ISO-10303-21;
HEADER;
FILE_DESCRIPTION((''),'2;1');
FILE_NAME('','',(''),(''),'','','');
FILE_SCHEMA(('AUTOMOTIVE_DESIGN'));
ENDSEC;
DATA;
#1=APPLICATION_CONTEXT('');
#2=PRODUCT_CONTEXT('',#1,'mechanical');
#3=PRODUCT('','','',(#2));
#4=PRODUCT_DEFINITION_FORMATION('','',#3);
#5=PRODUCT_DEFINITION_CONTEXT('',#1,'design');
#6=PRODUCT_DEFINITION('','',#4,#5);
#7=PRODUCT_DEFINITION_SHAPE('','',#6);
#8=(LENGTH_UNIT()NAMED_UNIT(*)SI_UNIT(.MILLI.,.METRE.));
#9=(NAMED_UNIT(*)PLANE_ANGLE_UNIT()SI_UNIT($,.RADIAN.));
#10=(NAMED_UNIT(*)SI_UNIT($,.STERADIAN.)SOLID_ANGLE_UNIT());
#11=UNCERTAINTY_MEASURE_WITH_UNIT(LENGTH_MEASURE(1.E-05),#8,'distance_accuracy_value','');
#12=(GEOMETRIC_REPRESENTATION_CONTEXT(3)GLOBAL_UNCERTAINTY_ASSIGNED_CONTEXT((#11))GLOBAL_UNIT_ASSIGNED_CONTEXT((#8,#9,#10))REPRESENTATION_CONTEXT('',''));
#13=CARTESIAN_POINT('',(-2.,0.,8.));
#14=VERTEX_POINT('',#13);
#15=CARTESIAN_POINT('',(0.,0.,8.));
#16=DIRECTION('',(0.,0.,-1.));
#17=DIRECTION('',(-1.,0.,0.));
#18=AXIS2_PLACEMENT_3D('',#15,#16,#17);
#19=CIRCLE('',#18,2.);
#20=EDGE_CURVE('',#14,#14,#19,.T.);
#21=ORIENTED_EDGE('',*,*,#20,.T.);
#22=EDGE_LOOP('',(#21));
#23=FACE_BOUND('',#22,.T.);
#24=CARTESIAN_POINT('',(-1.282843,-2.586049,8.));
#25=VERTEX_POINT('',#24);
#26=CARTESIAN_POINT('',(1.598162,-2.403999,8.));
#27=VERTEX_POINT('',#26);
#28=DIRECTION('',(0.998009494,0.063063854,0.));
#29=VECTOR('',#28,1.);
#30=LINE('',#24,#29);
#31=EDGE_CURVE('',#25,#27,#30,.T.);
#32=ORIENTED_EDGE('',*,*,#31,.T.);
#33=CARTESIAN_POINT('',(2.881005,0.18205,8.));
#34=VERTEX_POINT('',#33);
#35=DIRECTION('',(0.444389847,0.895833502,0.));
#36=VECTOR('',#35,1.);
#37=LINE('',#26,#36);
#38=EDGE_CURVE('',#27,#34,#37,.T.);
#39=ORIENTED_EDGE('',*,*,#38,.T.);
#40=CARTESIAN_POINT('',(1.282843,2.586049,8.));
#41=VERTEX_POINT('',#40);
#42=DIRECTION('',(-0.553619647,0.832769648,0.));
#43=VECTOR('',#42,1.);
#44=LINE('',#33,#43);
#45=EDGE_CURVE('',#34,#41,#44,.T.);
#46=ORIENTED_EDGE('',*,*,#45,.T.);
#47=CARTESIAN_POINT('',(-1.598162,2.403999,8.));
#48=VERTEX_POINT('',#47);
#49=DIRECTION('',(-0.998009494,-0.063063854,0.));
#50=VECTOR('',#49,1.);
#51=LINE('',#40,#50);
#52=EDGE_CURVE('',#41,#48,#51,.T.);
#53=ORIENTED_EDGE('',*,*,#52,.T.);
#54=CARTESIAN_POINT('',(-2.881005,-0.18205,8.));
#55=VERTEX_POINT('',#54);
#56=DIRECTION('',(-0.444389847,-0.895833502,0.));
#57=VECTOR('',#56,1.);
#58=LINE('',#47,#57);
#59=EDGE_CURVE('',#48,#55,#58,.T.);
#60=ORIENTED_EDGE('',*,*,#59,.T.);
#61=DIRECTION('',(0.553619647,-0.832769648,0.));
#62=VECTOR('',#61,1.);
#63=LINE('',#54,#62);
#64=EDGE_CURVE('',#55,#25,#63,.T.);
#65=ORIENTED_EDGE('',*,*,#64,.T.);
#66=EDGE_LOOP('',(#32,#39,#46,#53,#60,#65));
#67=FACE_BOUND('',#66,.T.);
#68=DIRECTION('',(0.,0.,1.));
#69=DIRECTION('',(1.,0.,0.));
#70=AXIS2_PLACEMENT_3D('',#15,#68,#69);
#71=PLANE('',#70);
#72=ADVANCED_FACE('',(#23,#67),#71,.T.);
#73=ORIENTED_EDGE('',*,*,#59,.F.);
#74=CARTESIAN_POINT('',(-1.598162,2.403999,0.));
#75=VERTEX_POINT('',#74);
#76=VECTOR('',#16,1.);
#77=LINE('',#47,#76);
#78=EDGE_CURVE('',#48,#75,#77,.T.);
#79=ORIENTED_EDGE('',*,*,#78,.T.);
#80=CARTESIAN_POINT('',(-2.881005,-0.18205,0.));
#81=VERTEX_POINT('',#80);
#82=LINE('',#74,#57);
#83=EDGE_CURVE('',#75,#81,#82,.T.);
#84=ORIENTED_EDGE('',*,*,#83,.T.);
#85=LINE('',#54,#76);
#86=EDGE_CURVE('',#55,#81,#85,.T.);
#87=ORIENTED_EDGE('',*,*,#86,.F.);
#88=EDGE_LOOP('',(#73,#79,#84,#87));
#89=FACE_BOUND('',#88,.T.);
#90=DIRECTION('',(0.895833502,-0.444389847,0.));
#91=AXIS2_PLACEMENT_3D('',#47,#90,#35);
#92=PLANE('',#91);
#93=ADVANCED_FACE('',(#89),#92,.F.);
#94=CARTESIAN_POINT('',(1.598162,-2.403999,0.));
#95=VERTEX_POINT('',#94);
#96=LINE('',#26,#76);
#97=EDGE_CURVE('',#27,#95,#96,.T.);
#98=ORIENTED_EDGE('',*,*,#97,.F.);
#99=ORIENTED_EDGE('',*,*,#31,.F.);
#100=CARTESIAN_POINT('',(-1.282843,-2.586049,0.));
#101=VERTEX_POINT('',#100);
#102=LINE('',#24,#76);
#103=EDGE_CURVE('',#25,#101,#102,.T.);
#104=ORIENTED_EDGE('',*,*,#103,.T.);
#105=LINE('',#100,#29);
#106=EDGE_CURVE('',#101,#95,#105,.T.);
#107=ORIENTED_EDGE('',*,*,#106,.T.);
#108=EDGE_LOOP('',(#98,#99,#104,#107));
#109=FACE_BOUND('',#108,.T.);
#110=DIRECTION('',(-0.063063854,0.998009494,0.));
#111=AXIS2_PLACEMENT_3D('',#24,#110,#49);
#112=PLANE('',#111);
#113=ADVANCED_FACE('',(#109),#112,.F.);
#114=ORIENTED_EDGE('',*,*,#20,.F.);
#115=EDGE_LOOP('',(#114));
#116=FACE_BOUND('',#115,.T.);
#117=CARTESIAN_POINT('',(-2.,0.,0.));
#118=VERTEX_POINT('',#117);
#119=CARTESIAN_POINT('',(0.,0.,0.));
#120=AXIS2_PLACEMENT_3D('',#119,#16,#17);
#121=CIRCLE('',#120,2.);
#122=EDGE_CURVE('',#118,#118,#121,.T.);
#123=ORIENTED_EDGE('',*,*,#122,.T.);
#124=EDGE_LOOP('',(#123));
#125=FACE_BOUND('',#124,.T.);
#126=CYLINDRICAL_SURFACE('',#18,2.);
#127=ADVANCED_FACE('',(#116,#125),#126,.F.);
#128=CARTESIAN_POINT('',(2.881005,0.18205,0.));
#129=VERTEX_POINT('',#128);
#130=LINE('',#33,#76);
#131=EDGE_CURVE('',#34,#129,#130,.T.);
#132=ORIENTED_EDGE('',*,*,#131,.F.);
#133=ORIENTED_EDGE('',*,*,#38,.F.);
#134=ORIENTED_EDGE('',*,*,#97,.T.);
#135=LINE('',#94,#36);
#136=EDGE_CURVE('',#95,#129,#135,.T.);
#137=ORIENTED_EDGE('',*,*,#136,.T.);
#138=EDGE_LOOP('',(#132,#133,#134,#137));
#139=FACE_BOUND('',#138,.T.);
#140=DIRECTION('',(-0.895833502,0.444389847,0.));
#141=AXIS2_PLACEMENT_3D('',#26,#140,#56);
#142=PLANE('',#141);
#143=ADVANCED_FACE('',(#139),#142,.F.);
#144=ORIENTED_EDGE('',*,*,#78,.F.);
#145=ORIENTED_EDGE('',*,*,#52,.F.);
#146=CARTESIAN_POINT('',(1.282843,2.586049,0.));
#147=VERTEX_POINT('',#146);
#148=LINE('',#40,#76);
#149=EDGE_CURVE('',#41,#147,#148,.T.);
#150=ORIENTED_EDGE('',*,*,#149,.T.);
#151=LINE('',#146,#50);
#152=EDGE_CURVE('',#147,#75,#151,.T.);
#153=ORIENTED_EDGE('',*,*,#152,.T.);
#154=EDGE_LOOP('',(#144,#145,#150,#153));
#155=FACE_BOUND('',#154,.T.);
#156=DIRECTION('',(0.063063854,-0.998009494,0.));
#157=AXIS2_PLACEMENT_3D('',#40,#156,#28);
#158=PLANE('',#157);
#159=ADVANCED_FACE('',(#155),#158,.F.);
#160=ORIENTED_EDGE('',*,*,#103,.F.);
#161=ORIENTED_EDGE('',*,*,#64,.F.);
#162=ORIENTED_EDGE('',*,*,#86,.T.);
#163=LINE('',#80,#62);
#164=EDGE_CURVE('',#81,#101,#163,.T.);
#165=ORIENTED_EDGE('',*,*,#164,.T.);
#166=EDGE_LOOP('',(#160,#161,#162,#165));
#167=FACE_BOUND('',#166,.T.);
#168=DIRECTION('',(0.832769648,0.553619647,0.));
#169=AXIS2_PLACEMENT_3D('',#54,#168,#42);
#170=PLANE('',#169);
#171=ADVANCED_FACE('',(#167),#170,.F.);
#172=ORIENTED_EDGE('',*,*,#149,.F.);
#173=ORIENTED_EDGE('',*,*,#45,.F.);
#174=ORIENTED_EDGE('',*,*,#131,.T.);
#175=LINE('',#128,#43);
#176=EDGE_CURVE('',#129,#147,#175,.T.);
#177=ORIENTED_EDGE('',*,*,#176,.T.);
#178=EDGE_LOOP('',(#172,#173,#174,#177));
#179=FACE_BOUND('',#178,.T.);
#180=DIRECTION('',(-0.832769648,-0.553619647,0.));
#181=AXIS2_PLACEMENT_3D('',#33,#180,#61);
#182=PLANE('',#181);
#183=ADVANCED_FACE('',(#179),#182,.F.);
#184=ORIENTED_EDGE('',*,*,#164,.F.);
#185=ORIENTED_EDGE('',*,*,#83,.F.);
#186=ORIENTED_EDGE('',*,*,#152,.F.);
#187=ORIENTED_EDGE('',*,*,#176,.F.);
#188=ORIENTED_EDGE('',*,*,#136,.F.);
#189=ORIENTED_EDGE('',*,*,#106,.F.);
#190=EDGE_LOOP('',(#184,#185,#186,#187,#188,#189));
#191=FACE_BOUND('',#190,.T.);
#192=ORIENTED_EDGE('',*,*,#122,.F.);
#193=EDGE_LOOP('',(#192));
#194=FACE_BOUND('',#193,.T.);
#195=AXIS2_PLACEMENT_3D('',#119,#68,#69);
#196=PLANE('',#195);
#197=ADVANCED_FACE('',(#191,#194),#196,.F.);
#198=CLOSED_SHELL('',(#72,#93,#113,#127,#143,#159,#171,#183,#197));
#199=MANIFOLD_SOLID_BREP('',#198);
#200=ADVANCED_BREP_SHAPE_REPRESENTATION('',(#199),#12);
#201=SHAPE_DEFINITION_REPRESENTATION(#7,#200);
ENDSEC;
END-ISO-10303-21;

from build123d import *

# Parameters (mm, degrees)
EXTRUDE_1_DEPTH     = 8
SKETCH_2_R          = 2
CUT_EXTRUDE_1_DEPTH = 9


with BuildPart() as part:
    # 草图1 → 凸台-拉伸1 (new body)
    with BuildSketch(Plane.XY):
        Polygon((1.28284299, 2.586048568), (-1.59816226, 2.403998903), (-2.88100525, -0.182049665), (-1.28284299, -2.586048568), (1.59816226, -2.403998903), (2.88100525, 0.182049665), align=None)
    extrude(amount=EXTRUDE_1_DEPTH)

    # 草图2 → 切除-拉伸1 (cut, through all)
    with BuildSketch(Plane(origin=(0, 0, 0), x_dir=(-1, 0, 0), z_dir=(0, 0, -1))):
        Circle(SKETCH_2_R)
    extrude(amount=-CUT_EXTRUDE_1_DEPTH, mode=Mode.SUBTRACT)


solid = part.part
